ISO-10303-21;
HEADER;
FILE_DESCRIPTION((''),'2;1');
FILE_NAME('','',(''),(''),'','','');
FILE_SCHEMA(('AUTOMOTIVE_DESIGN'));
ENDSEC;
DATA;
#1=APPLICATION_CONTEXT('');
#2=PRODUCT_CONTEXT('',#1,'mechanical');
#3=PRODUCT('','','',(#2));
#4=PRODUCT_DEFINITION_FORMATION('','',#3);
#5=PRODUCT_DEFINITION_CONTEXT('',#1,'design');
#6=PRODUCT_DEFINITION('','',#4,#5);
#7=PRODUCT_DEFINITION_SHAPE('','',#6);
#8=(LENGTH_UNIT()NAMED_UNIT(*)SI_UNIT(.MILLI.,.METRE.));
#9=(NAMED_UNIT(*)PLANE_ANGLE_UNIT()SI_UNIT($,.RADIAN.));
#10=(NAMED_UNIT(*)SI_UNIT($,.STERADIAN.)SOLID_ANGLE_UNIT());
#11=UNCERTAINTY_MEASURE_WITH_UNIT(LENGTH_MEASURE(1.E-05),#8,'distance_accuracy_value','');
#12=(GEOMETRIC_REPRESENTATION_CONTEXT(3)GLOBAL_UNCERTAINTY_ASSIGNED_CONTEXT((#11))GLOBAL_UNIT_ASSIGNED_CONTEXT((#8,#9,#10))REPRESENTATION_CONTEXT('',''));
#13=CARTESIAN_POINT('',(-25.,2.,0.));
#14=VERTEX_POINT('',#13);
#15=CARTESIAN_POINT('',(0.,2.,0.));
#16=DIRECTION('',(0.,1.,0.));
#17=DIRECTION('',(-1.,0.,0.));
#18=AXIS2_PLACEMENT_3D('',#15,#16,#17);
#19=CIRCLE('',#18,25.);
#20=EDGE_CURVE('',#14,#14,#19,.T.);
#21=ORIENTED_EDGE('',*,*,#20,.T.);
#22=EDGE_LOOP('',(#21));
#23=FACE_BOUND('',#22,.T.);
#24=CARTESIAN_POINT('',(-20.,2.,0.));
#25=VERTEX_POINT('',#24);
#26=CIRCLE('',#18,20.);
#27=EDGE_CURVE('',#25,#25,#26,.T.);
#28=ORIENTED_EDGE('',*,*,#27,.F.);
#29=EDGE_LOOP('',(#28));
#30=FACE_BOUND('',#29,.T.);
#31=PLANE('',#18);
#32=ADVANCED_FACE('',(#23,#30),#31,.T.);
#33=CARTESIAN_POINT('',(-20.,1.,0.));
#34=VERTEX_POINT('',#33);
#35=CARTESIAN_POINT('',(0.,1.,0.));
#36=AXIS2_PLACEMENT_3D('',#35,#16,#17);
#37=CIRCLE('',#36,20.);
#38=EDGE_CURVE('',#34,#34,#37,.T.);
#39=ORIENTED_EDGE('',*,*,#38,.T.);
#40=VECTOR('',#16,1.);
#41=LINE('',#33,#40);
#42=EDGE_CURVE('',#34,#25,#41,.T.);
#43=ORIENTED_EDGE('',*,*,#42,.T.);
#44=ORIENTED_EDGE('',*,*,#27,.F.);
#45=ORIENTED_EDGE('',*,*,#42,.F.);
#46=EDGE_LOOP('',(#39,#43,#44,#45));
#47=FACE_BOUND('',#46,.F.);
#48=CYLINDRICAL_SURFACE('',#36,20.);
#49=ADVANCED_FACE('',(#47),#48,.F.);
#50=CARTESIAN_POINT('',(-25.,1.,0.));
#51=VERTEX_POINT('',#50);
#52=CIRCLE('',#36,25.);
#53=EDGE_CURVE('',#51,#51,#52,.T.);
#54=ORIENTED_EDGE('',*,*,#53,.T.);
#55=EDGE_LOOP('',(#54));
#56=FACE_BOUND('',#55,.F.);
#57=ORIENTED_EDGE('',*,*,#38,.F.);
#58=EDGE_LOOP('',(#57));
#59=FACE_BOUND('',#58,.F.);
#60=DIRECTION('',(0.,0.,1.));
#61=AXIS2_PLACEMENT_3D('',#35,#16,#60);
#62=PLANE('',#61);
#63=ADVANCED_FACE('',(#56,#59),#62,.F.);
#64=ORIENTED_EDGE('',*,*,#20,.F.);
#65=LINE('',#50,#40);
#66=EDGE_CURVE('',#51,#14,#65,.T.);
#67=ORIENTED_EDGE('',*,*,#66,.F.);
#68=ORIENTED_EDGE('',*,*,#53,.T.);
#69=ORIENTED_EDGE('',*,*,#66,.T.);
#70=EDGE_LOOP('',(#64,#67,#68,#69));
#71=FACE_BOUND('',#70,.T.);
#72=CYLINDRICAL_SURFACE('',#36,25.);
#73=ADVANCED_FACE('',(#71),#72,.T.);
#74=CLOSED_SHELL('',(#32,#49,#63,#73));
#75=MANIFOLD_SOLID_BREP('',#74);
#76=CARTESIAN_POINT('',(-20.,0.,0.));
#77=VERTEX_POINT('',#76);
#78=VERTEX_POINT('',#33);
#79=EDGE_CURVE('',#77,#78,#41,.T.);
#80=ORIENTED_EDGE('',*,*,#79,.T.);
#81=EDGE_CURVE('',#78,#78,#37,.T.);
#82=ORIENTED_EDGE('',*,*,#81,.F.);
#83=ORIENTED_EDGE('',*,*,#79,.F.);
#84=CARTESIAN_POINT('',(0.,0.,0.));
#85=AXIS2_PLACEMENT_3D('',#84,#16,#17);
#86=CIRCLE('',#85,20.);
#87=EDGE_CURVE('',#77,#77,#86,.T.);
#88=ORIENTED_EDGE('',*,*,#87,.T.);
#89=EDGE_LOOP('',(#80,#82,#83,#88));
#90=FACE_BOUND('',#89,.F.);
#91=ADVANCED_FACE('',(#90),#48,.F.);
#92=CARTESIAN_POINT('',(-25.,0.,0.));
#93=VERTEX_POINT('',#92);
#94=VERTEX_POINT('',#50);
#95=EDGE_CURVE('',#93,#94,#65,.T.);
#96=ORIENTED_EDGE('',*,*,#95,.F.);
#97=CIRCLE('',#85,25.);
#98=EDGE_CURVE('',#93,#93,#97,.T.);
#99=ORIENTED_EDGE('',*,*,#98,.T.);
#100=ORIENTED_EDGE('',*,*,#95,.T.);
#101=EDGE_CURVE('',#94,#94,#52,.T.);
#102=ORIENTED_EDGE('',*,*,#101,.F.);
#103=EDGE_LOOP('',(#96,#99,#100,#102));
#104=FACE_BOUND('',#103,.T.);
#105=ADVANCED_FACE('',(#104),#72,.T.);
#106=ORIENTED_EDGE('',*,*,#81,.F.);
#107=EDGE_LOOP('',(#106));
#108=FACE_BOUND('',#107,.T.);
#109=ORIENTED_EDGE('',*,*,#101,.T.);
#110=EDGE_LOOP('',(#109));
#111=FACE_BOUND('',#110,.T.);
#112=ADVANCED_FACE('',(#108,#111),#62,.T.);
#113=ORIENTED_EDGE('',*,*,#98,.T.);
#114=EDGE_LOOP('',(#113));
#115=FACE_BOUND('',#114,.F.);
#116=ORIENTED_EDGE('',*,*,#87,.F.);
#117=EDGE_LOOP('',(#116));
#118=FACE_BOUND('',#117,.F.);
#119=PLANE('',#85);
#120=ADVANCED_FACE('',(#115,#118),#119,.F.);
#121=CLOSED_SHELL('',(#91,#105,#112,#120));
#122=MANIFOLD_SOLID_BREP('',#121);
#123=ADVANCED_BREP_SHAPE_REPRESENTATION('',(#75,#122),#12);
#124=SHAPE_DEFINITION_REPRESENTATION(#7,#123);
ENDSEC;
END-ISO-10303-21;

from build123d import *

# Parameters (mm, degrees)
SKETCH1_W = 5
SKETCH1_H = 2


with BuildPart() as part:
    # Sketch1 → Revolve1 (revolve)
    with BuildSketch(Plane.XY):
        with Locations((-22.5, 1)):
            Rectangle(SKETCH1_W, SKETCH1_H)
    revolve(axis=Axis((0, 0, 0), (0, 1, 0)))


with BuildPart() as body_2:
    # Split1: the piece on the far side of the plane
    add(part.part)
    split(bisect_by=Plane.ZX.offset(1), keep=Keep.BOTTOM)


with BuildPart() as part_1:
    add(part.part)

    # Split1
    split(bisect_by=Plane.ZX.offset(1), keep=Keep.TOP)


solid = Compound([body_2.part, part_1.part])
